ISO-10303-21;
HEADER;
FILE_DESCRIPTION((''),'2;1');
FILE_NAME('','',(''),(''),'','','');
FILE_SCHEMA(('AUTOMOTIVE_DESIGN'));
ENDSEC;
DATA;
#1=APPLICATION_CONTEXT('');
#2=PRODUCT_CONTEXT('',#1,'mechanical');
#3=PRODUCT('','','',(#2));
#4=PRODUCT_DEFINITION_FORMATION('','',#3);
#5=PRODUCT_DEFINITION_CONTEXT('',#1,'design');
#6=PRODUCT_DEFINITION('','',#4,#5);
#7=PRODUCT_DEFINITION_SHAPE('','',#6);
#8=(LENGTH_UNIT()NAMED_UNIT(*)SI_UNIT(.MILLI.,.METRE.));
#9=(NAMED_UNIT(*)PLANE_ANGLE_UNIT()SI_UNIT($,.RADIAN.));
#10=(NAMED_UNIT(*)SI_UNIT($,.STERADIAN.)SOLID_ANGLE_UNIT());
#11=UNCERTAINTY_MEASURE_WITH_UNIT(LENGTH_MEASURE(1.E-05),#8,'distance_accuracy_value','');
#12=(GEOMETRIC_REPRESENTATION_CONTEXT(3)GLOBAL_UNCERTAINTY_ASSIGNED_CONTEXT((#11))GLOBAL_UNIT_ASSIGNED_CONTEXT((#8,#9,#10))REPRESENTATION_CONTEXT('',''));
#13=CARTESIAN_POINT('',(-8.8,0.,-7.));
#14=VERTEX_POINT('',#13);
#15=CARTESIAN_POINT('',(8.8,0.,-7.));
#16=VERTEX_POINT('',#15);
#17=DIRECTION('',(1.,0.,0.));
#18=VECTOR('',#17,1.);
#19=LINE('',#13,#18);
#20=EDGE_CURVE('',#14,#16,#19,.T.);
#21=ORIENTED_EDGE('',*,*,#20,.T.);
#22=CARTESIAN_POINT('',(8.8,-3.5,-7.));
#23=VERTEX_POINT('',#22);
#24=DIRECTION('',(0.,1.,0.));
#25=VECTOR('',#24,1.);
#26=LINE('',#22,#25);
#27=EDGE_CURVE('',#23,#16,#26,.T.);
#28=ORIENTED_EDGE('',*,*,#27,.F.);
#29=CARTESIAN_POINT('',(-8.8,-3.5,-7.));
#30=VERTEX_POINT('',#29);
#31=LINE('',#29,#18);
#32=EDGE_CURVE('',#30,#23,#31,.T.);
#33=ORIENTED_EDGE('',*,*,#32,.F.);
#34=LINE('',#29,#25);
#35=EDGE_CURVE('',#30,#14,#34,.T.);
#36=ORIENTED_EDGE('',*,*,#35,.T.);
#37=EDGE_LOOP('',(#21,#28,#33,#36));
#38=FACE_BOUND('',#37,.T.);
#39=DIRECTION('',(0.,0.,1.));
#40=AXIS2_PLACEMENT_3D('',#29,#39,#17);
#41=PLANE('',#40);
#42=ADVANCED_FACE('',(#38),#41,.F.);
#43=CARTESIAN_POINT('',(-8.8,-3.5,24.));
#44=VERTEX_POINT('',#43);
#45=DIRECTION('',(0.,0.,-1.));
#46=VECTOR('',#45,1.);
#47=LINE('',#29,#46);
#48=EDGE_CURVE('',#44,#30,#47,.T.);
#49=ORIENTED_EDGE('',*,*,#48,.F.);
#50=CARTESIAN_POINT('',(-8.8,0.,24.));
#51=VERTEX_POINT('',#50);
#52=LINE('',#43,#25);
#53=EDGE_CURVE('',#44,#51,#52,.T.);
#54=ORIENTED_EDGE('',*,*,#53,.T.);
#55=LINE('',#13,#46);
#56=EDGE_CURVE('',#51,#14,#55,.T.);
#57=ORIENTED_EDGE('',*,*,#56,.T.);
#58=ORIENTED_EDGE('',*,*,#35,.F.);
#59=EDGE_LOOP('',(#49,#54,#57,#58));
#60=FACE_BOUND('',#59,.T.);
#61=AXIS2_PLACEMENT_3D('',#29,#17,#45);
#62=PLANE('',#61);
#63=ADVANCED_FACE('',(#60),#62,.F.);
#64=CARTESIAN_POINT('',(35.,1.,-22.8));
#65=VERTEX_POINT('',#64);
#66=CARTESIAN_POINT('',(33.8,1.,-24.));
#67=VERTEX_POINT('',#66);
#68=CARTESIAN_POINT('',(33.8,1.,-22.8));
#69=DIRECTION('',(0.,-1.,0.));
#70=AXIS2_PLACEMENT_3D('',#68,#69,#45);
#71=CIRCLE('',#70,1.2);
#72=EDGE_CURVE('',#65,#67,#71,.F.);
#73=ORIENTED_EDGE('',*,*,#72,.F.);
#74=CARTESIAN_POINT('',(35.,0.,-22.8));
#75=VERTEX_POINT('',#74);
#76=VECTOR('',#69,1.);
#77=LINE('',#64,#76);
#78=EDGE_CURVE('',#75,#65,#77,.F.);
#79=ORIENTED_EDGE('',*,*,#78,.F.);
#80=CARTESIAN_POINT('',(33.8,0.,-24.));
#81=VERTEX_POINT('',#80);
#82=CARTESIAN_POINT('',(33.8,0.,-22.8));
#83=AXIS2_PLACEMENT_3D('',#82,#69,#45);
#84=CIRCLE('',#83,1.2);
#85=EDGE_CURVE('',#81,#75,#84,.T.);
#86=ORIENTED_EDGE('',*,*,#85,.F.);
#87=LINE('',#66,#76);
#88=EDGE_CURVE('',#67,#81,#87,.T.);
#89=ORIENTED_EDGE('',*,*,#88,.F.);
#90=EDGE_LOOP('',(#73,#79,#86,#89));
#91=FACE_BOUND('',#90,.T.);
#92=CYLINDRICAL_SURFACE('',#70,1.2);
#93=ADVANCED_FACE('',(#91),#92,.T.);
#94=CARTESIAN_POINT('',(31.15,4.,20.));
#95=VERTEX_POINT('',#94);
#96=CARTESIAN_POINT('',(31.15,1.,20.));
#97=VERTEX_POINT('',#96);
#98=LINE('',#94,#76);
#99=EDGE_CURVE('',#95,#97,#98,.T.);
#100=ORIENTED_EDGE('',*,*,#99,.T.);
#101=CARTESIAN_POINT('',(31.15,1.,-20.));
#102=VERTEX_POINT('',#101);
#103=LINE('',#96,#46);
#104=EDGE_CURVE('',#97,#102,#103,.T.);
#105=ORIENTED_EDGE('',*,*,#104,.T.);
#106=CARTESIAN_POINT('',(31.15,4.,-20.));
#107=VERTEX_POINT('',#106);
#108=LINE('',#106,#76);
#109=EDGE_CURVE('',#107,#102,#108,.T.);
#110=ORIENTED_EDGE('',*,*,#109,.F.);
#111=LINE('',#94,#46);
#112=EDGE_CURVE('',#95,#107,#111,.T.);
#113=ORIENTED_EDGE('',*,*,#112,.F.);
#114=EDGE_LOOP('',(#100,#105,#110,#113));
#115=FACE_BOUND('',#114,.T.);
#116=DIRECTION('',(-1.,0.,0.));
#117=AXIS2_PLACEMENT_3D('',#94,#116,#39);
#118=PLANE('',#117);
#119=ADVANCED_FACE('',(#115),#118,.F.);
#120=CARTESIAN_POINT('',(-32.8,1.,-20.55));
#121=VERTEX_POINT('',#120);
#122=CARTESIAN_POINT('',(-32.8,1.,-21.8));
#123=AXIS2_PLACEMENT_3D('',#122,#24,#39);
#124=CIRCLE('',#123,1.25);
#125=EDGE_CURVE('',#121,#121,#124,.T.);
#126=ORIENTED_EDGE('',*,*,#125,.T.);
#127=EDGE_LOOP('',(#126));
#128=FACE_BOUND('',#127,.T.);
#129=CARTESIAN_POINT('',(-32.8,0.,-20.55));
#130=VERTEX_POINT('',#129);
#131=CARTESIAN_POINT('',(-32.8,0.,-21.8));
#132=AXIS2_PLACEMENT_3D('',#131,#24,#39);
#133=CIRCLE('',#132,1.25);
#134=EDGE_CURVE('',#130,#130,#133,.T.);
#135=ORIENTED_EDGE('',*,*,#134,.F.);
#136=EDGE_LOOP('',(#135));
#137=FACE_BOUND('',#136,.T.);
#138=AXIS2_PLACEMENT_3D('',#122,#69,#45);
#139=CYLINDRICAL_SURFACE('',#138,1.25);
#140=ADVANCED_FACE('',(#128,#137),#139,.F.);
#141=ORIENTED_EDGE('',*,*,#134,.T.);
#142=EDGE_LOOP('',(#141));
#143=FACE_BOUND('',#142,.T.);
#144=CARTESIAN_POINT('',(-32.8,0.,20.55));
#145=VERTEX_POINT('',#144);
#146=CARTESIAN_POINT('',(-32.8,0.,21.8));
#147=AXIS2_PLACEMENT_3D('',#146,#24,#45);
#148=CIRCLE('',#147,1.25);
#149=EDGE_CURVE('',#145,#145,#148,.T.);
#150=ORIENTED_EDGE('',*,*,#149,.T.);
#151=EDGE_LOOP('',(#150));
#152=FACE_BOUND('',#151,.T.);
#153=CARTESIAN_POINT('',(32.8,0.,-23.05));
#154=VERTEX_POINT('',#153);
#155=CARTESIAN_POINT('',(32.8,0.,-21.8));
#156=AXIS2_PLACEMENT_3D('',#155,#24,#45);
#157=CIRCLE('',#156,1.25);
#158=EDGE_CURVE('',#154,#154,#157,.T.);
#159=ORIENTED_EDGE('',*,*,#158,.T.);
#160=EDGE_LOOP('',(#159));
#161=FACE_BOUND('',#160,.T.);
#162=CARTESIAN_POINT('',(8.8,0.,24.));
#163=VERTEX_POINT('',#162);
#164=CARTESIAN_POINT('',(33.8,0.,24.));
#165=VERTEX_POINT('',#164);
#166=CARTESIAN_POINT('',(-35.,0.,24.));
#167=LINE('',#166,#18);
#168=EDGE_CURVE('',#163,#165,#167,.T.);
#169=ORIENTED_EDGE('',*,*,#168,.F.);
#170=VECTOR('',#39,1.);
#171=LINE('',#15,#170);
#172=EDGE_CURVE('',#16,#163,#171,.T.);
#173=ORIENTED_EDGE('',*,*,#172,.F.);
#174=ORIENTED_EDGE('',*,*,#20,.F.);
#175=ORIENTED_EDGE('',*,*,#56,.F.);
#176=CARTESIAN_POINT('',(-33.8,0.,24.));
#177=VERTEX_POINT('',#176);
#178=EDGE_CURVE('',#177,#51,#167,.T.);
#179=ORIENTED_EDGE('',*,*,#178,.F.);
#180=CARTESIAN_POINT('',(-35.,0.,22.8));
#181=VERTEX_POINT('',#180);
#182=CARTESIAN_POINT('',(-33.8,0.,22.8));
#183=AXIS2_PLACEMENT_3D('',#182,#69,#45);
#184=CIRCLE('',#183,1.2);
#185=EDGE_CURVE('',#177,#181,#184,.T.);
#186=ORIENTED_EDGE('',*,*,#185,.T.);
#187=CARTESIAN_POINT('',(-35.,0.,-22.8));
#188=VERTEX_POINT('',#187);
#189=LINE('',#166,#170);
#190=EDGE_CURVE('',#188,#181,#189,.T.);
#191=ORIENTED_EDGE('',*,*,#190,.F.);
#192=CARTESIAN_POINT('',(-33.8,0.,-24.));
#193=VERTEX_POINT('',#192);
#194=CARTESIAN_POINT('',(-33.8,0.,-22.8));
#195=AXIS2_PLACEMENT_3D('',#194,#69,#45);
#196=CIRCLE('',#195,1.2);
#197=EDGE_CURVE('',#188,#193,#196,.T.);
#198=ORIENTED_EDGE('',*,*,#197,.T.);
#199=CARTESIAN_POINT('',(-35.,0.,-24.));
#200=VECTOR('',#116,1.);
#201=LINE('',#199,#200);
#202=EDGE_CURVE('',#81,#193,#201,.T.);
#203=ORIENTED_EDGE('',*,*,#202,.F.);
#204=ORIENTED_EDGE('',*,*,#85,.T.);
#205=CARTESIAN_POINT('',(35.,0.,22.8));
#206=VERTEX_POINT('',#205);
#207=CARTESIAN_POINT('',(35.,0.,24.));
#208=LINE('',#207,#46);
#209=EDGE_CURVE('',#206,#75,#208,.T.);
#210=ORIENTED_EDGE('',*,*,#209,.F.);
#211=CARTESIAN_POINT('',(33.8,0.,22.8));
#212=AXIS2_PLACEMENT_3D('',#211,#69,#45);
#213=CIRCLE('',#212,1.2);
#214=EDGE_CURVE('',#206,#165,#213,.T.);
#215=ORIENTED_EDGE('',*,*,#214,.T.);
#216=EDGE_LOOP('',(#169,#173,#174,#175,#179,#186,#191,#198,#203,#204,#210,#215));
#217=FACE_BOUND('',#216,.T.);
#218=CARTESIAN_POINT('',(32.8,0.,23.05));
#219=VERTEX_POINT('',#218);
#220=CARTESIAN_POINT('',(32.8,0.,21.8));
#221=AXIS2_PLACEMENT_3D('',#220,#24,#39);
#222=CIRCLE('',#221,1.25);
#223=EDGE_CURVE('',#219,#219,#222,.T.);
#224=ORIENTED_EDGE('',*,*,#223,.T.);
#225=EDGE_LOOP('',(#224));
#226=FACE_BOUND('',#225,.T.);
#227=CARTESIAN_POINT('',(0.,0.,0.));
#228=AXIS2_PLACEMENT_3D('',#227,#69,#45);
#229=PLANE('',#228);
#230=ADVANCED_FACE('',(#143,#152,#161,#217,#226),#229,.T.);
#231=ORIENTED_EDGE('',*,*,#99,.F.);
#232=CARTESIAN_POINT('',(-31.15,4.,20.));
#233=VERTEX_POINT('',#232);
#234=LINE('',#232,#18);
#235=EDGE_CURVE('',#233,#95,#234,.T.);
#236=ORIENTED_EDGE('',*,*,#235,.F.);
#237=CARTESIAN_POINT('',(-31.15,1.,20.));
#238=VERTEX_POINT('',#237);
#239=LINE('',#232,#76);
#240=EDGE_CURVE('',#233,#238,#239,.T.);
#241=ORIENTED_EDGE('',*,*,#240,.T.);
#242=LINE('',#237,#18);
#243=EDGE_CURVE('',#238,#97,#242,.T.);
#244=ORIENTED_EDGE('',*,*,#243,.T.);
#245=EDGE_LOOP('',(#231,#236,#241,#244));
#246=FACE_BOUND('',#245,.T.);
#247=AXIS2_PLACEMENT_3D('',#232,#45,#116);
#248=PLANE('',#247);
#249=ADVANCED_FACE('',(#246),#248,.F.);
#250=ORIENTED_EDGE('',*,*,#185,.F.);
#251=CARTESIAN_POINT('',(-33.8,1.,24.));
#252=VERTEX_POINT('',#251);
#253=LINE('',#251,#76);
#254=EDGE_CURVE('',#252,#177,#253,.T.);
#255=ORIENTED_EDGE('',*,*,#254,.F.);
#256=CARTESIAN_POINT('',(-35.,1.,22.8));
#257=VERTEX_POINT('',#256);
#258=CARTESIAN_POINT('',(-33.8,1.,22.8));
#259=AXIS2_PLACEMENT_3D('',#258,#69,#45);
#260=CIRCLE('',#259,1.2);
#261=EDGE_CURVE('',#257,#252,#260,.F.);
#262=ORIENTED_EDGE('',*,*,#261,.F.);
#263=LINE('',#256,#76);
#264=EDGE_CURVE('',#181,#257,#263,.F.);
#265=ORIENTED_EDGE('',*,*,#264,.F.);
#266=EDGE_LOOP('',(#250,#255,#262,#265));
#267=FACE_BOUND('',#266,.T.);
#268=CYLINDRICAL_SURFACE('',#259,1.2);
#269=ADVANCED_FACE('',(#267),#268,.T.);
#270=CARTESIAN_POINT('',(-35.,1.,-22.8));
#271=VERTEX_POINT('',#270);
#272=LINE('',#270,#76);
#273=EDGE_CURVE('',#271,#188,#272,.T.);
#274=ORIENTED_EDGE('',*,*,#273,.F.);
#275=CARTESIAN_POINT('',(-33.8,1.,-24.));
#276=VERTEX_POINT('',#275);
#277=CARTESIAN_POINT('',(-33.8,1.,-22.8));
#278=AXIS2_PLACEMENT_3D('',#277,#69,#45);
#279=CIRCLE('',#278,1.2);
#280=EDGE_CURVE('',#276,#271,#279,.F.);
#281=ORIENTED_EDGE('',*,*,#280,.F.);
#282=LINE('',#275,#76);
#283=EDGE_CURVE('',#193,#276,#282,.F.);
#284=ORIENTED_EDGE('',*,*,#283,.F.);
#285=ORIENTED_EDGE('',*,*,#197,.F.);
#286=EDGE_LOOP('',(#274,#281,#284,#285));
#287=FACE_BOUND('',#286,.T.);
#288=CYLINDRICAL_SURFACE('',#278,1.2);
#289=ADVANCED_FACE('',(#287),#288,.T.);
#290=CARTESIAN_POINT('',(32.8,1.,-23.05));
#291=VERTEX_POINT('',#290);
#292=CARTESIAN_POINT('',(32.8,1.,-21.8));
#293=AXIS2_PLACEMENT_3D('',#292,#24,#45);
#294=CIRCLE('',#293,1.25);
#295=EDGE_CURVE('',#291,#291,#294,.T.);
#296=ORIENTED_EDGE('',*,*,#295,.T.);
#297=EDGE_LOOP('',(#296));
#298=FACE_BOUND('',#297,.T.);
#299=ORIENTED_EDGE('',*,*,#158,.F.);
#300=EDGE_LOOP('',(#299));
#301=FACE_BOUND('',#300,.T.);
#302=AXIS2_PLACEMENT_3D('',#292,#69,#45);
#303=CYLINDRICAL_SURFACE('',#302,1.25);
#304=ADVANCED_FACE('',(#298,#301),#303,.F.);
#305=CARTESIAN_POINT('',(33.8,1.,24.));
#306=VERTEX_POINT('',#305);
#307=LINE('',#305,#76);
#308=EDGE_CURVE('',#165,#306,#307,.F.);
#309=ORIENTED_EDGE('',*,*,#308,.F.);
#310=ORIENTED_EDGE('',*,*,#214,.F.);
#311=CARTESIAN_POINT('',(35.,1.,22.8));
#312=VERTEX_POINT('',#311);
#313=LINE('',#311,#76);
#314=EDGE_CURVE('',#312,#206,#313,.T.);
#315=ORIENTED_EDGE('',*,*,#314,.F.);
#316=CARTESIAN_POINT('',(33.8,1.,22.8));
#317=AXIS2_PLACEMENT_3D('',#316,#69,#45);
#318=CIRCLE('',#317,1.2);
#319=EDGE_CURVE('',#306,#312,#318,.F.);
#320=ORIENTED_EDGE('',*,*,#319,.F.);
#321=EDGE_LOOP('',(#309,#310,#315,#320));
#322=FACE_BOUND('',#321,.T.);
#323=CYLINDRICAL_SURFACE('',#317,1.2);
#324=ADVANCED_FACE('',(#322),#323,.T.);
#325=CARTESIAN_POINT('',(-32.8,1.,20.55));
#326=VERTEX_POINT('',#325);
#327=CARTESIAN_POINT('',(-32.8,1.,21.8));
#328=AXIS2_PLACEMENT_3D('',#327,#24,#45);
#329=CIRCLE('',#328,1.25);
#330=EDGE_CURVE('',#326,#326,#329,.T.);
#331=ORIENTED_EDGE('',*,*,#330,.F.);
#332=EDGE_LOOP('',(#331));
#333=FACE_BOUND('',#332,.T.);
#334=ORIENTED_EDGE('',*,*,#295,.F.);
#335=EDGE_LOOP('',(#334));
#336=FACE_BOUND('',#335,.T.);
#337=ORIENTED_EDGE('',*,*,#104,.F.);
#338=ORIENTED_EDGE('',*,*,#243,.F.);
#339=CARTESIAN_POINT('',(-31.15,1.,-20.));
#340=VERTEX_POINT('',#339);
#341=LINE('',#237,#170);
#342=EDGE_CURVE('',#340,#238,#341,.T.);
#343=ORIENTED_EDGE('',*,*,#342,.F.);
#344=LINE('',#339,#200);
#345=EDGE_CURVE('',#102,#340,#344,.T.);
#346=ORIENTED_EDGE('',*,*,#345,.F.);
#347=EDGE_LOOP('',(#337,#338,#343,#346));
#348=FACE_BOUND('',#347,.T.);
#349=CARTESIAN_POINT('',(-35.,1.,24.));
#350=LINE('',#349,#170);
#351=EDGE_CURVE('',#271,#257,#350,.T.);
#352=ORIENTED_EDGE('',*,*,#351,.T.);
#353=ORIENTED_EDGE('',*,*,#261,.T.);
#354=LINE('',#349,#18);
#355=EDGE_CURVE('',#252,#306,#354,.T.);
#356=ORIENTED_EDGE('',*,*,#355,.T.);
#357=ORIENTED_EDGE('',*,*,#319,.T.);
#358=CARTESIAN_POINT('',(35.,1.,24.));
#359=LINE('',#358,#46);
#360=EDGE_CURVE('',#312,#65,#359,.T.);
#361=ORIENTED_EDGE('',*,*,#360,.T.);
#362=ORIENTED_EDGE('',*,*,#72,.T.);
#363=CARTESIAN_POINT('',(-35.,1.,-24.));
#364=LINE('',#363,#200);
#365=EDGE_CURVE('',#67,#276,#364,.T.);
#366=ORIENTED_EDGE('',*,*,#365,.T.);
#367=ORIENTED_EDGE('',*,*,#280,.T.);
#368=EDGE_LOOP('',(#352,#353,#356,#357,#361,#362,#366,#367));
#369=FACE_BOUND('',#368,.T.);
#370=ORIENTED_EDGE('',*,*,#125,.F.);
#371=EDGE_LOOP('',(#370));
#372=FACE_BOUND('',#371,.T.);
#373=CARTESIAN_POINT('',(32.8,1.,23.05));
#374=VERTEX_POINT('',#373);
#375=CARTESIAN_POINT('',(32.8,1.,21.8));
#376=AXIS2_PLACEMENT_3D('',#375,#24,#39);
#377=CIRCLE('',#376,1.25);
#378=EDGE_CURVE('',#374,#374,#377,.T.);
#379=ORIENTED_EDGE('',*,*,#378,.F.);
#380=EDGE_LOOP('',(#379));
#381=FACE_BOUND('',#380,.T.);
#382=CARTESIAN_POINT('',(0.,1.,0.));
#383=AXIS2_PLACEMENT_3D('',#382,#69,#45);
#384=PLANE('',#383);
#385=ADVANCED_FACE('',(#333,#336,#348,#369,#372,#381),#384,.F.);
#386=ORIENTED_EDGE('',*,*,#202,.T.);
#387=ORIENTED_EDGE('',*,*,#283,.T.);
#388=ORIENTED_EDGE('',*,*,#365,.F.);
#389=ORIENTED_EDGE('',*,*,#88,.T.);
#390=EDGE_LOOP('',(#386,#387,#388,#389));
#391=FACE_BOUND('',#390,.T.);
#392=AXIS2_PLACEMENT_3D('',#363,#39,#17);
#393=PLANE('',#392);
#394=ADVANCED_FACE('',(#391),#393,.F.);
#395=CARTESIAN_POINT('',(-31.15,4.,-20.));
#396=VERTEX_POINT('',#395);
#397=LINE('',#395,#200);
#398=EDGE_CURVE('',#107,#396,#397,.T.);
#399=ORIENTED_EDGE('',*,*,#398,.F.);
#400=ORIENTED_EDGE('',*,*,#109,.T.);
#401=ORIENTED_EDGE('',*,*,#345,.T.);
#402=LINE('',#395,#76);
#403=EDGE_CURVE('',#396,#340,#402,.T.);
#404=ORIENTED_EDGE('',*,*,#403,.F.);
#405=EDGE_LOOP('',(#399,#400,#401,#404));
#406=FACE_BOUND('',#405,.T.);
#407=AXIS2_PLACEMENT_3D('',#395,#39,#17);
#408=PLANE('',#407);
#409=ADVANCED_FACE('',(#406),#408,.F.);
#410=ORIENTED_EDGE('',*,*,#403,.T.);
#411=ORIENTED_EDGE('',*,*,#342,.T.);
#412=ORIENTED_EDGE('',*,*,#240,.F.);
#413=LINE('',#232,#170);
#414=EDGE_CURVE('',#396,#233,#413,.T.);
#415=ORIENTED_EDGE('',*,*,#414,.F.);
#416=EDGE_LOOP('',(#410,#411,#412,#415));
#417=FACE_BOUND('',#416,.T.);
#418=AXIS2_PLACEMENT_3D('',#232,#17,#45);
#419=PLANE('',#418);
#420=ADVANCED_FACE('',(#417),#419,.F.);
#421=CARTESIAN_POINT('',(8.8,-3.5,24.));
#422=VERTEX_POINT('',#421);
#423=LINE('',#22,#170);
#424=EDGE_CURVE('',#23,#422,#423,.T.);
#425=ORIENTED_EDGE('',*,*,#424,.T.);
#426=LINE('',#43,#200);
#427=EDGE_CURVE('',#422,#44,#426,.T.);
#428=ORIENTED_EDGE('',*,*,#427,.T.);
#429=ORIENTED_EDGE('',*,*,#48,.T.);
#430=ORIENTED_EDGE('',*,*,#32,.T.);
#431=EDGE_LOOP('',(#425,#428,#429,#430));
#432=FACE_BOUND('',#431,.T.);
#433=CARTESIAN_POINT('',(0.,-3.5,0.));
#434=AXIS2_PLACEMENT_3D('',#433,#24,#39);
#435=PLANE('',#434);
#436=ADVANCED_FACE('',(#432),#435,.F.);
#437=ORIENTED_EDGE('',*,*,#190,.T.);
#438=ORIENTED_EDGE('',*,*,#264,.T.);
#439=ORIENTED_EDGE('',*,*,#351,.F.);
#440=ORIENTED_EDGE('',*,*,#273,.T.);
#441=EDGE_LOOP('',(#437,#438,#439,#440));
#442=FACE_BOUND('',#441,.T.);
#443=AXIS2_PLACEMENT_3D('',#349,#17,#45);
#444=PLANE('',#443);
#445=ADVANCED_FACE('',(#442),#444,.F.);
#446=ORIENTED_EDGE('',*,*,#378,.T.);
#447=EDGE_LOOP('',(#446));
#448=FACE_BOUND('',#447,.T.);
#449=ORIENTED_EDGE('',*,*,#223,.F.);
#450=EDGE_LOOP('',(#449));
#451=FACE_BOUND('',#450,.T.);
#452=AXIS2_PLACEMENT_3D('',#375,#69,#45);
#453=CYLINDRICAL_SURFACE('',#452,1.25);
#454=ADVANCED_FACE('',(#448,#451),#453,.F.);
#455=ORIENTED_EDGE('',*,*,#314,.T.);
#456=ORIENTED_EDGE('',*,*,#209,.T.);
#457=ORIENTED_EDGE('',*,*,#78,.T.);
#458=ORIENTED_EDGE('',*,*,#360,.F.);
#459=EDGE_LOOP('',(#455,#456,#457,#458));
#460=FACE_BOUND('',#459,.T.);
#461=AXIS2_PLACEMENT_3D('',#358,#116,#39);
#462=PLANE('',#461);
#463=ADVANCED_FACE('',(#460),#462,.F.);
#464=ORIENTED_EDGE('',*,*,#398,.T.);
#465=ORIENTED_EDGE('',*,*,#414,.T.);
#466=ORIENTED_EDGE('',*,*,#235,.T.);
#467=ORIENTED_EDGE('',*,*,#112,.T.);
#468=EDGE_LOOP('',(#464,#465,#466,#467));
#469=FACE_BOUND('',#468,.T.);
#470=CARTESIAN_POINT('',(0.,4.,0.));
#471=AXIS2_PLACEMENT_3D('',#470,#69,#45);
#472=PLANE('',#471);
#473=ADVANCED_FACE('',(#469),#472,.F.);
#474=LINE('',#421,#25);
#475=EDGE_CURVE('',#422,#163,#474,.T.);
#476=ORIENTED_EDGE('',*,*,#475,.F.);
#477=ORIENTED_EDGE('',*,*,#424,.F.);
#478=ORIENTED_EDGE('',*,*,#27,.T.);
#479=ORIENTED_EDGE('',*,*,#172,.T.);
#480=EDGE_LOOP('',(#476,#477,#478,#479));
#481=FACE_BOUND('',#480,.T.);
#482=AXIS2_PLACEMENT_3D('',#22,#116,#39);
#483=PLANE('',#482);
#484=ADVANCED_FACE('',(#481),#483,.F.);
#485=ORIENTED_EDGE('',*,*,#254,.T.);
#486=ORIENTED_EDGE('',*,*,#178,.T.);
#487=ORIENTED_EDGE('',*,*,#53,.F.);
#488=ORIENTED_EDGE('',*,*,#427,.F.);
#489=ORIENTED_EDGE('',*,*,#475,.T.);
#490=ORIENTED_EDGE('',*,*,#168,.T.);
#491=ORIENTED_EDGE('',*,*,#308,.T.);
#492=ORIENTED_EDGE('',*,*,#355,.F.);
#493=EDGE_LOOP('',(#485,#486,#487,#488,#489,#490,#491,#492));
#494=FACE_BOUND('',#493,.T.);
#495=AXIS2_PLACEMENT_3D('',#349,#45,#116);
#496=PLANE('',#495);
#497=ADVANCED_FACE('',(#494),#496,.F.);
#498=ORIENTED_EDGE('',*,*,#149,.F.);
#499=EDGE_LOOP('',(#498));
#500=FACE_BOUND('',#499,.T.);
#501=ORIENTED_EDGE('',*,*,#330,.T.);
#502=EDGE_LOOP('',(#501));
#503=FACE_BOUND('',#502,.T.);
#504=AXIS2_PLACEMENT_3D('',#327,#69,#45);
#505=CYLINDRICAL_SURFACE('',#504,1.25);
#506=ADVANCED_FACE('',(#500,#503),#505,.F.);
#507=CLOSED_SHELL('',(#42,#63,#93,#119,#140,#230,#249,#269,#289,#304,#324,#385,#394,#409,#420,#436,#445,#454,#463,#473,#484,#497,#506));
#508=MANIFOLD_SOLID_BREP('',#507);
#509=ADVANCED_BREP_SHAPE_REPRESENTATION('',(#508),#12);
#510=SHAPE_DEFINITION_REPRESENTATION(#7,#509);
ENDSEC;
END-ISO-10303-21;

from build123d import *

# Parameters (mm, degrees)
SKETCH1_W           = 70
SKETCH1_H           = 48
SKETCH1_R           = 1.25
BOSS_EXTRUDE1_DEPTH = 1
SKETCH2_W           = 62.3
SKETCH2_H           = 40
BOSS_EXTRUDE2_DEPTH = 3
SKETCH4_W           = 17.6
SKETCH4_H           = 31
BOSS_EXTRUDE3_DEPTH = 3.5
FILLET1_R           = 1.2


with BuildPart() as part:
    # Sketch1 → Boss-Extrude1 (new body)
    with BuildSketch(Plane(origin=(0, 0, 0), x_dir=(1, 0, 0), z_dir=(0, 1, 0))):
        Rectangle(SKETCH1_W, SKETCH1_H)
        with Locations(Location((-32.8, 21.8, 0), (0, 0, 270))):
            Circle(SKETCH1_R, mode=Mode.SUBTRACT)
        with Locations(Location((-32.8, -21.8, 0), (0, 0, 90))):
            Circle(SKETCH1_R, mode=Mode.SUBTRACT)
        with Locations(Location((32.8, -21.8, 0), (0, 0, 270))):
            Circle(SKETCH1_R, mode=Mode.SUBTRACT)
        with Locations(Location((32.8, 21.8, 0), (0, 0, 90))):
            Circle(SKETCH1_R, mode=Mode.SUBTRACT)
    extrude(amount=BOSS_EXTRUDE1_DEPTH)

    # Sketch2 → Boss-Extrude2 (add)
    with BuildSketch(Plane(origin=(0, 1, 0), x_dir=(1, 0, 0), z_dir=(0, 1, 0))):
        Rectangle(SKETCH2_W, SKETCH2_H)
    extrude(amount=BOSS_EXTRUDE2_DEPTH)

    # Sketch4 → Boss-Extrude3 (add)
    with BuildSketch(Plane.XZ):
        with Locations((0, 8.5)):
            Rectangle(SKETCH4_W, SKETCH4_H)
    extrude(amount=BOSS_EXTRUDE3_DEPTH)

    # Fillet1
    fillet1_edges = [part.edges().sort_by_distance(p)[0] for p in [
        (35, 0.5, 24),
        (-35, 0.5, 24),
        (-35, 0.5, -24),
        (35, 0.5, -24),
    ]]
    fillet(fillet1_edges, radius=FILLET1_R)


solid = part.part
